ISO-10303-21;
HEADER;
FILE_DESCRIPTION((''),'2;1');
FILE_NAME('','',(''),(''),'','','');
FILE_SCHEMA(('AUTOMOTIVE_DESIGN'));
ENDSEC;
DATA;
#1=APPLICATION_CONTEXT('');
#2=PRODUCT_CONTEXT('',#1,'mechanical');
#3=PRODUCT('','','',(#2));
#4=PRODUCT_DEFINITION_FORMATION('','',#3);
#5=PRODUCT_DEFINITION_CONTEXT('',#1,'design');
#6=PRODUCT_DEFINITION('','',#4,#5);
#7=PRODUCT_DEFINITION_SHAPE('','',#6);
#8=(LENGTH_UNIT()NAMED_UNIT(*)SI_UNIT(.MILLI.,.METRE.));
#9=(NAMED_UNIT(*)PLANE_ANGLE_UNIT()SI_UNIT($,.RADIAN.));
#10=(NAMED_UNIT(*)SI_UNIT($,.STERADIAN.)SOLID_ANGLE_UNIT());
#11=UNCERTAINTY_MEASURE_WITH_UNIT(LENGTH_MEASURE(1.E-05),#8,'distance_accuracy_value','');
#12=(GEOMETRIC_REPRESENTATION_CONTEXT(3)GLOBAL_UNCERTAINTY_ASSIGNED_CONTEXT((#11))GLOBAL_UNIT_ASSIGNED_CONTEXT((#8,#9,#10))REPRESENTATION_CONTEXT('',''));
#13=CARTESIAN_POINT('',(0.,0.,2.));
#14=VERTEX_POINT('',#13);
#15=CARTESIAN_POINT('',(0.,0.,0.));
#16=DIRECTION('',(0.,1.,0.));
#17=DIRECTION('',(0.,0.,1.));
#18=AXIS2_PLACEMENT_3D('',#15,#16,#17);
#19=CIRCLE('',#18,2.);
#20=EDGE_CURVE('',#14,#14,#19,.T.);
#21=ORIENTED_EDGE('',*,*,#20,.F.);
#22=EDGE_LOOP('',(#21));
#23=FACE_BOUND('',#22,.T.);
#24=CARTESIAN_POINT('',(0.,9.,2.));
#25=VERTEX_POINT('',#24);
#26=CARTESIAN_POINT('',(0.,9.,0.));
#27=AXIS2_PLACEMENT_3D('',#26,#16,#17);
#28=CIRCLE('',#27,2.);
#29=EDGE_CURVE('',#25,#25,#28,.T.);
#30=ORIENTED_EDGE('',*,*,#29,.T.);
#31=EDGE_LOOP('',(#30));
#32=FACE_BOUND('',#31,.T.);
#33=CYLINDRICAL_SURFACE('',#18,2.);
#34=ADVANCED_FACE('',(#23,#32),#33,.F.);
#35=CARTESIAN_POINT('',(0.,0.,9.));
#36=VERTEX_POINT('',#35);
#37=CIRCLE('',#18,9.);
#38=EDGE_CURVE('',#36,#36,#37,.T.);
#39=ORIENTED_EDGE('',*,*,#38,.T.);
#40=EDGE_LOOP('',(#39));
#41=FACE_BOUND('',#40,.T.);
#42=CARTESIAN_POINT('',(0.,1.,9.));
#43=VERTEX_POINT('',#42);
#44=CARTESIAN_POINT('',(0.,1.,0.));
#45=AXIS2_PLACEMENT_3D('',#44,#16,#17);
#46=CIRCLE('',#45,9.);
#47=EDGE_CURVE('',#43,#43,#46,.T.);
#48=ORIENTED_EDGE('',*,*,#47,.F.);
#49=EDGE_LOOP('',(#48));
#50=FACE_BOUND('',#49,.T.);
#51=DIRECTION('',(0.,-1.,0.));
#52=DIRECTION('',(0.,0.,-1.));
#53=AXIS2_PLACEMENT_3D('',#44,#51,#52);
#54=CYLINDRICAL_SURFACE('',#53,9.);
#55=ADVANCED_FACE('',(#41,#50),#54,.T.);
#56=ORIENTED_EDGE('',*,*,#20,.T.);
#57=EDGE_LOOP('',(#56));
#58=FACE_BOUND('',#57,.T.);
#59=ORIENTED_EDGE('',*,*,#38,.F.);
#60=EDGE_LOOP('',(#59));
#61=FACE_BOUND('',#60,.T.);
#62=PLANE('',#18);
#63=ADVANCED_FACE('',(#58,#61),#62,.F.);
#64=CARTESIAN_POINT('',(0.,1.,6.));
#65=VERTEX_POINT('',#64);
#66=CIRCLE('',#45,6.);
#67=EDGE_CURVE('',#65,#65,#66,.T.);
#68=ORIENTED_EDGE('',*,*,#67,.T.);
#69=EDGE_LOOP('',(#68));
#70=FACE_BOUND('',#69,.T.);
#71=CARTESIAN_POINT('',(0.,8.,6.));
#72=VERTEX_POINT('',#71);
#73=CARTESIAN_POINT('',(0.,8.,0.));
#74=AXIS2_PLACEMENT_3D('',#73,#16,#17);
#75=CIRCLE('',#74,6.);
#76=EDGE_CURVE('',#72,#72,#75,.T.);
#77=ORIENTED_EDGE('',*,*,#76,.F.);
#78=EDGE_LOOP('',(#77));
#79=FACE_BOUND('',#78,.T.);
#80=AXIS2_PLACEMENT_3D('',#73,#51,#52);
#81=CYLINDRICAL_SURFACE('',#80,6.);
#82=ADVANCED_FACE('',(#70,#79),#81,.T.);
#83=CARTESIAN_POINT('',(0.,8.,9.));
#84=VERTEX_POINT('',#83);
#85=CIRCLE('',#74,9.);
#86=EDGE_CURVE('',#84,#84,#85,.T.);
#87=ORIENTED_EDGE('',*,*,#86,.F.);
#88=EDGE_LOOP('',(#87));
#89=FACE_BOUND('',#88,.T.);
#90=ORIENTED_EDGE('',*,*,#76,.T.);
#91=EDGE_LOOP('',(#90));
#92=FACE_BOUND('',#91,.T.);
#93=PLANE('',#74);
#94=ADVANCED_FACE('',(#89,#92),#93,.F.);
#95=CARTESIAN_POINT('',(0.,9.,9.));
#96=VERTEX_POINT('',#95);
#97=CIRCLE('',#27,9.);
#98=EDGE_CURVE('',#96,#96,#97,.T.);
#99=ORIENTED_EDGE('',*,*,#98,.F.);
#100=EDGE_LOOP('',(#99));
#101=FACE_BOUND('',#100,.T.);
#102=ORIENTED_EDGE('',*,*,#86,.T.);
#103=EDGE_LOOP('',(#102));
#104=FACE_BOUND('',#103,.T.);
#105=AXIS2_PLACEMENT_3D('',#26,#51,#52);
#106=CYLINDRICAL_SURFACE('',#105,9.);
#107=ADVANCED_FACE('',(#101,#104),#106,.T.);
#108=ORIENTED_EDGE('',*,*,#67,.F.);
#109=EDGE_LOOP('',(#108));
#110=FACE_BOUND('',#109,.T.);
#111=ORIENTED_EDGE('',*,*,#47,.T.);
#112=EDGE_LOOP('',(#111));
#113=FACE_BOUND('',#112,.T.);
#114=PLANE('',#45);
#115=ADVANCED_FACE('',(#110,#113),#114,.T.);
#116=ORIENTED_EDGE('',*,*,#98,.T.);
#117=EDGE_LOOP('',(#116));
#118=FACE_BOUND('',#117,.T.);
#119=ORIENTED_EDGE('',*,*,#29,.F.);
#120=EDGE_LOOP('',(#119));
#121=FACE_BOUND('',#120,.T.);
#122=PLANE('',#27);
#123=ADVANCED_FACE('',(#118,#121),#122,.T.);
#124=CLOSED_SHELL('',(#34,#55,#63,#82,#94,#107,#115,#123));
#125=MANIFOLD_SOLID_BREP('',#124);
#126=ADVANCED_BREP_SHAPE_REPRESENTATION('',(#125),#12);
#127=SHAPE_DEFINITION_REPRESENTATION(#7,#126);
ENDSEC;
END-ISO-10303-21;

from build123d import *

# Parameters (mm, degrees)
SKETCH2_R           = 9
BOSS_EXTRUDE1_DEPTH = 1
SKETCH3_R           = 6
BOSS_EXTRUDE2_DEPTH = 7
SKETCH4_R           = 9
BOSS_EXTRUDE3_DEPTH = 1
SKETCH5_R           = 2
CUT_EXTRUDE1_DEPTH  = 16.588457268


with BuildPart() as part:
    # Sketch2 → Boss-Extrude1 (new body)
    with BuildSketch(Plane(origin=(0, 0, 0), x_dir=(1, 0, 0), z_dir=(0, 1, 0))):
        with Locations(Location((0, 0, 0), (0, 0, 270))):
            Circle(SKETCH2_R)
    extrude(amount=BOSS_EXTRUDE1_DEPTH)

    # Sketch3 → Boss-Extrude2 (add)
    with BuildSketch(Plane(origin=(0, 1, 0), x_dir=(1, 0, 0), z_dir=(0, 1, 0))):
        with Locations(Location((0, 0, 0), (0, 0, 270))):
            Circle(SKETCH3_R)
    extrude(amount=BOSS_EXTRUDE2_DEPTH)

    # Sketch4 → Boss-Extrude3 (add)
    with BuildSketch(Plane(origin=(0, 8, 0), x_dir=(1, 0, 0), z_dir=(0, 1, 0))):
        with Locations(Location((0, 0, 0), (0, 0, 270))):
            Circle(SKETCH4_R)
    extrude(amount=BOSS_EXTRUDE3_DEPTH)

    # Sketch5 → Cut-Extrude1 (cut, through all)
    with BuildSketch(Plane(origin=(0, 9, 0), x_dir=(1, 0, 0), z_dir=(0, 1, 0))):
        with Locations(Location((0, 0, 0), (0, 0, 270))):
            Circle(SKETCH5_R)
    extrude(amount=-CUT_EXTRUDE1_DEPTH, mode=Mode.SUBTRACT)


solid = part.part
